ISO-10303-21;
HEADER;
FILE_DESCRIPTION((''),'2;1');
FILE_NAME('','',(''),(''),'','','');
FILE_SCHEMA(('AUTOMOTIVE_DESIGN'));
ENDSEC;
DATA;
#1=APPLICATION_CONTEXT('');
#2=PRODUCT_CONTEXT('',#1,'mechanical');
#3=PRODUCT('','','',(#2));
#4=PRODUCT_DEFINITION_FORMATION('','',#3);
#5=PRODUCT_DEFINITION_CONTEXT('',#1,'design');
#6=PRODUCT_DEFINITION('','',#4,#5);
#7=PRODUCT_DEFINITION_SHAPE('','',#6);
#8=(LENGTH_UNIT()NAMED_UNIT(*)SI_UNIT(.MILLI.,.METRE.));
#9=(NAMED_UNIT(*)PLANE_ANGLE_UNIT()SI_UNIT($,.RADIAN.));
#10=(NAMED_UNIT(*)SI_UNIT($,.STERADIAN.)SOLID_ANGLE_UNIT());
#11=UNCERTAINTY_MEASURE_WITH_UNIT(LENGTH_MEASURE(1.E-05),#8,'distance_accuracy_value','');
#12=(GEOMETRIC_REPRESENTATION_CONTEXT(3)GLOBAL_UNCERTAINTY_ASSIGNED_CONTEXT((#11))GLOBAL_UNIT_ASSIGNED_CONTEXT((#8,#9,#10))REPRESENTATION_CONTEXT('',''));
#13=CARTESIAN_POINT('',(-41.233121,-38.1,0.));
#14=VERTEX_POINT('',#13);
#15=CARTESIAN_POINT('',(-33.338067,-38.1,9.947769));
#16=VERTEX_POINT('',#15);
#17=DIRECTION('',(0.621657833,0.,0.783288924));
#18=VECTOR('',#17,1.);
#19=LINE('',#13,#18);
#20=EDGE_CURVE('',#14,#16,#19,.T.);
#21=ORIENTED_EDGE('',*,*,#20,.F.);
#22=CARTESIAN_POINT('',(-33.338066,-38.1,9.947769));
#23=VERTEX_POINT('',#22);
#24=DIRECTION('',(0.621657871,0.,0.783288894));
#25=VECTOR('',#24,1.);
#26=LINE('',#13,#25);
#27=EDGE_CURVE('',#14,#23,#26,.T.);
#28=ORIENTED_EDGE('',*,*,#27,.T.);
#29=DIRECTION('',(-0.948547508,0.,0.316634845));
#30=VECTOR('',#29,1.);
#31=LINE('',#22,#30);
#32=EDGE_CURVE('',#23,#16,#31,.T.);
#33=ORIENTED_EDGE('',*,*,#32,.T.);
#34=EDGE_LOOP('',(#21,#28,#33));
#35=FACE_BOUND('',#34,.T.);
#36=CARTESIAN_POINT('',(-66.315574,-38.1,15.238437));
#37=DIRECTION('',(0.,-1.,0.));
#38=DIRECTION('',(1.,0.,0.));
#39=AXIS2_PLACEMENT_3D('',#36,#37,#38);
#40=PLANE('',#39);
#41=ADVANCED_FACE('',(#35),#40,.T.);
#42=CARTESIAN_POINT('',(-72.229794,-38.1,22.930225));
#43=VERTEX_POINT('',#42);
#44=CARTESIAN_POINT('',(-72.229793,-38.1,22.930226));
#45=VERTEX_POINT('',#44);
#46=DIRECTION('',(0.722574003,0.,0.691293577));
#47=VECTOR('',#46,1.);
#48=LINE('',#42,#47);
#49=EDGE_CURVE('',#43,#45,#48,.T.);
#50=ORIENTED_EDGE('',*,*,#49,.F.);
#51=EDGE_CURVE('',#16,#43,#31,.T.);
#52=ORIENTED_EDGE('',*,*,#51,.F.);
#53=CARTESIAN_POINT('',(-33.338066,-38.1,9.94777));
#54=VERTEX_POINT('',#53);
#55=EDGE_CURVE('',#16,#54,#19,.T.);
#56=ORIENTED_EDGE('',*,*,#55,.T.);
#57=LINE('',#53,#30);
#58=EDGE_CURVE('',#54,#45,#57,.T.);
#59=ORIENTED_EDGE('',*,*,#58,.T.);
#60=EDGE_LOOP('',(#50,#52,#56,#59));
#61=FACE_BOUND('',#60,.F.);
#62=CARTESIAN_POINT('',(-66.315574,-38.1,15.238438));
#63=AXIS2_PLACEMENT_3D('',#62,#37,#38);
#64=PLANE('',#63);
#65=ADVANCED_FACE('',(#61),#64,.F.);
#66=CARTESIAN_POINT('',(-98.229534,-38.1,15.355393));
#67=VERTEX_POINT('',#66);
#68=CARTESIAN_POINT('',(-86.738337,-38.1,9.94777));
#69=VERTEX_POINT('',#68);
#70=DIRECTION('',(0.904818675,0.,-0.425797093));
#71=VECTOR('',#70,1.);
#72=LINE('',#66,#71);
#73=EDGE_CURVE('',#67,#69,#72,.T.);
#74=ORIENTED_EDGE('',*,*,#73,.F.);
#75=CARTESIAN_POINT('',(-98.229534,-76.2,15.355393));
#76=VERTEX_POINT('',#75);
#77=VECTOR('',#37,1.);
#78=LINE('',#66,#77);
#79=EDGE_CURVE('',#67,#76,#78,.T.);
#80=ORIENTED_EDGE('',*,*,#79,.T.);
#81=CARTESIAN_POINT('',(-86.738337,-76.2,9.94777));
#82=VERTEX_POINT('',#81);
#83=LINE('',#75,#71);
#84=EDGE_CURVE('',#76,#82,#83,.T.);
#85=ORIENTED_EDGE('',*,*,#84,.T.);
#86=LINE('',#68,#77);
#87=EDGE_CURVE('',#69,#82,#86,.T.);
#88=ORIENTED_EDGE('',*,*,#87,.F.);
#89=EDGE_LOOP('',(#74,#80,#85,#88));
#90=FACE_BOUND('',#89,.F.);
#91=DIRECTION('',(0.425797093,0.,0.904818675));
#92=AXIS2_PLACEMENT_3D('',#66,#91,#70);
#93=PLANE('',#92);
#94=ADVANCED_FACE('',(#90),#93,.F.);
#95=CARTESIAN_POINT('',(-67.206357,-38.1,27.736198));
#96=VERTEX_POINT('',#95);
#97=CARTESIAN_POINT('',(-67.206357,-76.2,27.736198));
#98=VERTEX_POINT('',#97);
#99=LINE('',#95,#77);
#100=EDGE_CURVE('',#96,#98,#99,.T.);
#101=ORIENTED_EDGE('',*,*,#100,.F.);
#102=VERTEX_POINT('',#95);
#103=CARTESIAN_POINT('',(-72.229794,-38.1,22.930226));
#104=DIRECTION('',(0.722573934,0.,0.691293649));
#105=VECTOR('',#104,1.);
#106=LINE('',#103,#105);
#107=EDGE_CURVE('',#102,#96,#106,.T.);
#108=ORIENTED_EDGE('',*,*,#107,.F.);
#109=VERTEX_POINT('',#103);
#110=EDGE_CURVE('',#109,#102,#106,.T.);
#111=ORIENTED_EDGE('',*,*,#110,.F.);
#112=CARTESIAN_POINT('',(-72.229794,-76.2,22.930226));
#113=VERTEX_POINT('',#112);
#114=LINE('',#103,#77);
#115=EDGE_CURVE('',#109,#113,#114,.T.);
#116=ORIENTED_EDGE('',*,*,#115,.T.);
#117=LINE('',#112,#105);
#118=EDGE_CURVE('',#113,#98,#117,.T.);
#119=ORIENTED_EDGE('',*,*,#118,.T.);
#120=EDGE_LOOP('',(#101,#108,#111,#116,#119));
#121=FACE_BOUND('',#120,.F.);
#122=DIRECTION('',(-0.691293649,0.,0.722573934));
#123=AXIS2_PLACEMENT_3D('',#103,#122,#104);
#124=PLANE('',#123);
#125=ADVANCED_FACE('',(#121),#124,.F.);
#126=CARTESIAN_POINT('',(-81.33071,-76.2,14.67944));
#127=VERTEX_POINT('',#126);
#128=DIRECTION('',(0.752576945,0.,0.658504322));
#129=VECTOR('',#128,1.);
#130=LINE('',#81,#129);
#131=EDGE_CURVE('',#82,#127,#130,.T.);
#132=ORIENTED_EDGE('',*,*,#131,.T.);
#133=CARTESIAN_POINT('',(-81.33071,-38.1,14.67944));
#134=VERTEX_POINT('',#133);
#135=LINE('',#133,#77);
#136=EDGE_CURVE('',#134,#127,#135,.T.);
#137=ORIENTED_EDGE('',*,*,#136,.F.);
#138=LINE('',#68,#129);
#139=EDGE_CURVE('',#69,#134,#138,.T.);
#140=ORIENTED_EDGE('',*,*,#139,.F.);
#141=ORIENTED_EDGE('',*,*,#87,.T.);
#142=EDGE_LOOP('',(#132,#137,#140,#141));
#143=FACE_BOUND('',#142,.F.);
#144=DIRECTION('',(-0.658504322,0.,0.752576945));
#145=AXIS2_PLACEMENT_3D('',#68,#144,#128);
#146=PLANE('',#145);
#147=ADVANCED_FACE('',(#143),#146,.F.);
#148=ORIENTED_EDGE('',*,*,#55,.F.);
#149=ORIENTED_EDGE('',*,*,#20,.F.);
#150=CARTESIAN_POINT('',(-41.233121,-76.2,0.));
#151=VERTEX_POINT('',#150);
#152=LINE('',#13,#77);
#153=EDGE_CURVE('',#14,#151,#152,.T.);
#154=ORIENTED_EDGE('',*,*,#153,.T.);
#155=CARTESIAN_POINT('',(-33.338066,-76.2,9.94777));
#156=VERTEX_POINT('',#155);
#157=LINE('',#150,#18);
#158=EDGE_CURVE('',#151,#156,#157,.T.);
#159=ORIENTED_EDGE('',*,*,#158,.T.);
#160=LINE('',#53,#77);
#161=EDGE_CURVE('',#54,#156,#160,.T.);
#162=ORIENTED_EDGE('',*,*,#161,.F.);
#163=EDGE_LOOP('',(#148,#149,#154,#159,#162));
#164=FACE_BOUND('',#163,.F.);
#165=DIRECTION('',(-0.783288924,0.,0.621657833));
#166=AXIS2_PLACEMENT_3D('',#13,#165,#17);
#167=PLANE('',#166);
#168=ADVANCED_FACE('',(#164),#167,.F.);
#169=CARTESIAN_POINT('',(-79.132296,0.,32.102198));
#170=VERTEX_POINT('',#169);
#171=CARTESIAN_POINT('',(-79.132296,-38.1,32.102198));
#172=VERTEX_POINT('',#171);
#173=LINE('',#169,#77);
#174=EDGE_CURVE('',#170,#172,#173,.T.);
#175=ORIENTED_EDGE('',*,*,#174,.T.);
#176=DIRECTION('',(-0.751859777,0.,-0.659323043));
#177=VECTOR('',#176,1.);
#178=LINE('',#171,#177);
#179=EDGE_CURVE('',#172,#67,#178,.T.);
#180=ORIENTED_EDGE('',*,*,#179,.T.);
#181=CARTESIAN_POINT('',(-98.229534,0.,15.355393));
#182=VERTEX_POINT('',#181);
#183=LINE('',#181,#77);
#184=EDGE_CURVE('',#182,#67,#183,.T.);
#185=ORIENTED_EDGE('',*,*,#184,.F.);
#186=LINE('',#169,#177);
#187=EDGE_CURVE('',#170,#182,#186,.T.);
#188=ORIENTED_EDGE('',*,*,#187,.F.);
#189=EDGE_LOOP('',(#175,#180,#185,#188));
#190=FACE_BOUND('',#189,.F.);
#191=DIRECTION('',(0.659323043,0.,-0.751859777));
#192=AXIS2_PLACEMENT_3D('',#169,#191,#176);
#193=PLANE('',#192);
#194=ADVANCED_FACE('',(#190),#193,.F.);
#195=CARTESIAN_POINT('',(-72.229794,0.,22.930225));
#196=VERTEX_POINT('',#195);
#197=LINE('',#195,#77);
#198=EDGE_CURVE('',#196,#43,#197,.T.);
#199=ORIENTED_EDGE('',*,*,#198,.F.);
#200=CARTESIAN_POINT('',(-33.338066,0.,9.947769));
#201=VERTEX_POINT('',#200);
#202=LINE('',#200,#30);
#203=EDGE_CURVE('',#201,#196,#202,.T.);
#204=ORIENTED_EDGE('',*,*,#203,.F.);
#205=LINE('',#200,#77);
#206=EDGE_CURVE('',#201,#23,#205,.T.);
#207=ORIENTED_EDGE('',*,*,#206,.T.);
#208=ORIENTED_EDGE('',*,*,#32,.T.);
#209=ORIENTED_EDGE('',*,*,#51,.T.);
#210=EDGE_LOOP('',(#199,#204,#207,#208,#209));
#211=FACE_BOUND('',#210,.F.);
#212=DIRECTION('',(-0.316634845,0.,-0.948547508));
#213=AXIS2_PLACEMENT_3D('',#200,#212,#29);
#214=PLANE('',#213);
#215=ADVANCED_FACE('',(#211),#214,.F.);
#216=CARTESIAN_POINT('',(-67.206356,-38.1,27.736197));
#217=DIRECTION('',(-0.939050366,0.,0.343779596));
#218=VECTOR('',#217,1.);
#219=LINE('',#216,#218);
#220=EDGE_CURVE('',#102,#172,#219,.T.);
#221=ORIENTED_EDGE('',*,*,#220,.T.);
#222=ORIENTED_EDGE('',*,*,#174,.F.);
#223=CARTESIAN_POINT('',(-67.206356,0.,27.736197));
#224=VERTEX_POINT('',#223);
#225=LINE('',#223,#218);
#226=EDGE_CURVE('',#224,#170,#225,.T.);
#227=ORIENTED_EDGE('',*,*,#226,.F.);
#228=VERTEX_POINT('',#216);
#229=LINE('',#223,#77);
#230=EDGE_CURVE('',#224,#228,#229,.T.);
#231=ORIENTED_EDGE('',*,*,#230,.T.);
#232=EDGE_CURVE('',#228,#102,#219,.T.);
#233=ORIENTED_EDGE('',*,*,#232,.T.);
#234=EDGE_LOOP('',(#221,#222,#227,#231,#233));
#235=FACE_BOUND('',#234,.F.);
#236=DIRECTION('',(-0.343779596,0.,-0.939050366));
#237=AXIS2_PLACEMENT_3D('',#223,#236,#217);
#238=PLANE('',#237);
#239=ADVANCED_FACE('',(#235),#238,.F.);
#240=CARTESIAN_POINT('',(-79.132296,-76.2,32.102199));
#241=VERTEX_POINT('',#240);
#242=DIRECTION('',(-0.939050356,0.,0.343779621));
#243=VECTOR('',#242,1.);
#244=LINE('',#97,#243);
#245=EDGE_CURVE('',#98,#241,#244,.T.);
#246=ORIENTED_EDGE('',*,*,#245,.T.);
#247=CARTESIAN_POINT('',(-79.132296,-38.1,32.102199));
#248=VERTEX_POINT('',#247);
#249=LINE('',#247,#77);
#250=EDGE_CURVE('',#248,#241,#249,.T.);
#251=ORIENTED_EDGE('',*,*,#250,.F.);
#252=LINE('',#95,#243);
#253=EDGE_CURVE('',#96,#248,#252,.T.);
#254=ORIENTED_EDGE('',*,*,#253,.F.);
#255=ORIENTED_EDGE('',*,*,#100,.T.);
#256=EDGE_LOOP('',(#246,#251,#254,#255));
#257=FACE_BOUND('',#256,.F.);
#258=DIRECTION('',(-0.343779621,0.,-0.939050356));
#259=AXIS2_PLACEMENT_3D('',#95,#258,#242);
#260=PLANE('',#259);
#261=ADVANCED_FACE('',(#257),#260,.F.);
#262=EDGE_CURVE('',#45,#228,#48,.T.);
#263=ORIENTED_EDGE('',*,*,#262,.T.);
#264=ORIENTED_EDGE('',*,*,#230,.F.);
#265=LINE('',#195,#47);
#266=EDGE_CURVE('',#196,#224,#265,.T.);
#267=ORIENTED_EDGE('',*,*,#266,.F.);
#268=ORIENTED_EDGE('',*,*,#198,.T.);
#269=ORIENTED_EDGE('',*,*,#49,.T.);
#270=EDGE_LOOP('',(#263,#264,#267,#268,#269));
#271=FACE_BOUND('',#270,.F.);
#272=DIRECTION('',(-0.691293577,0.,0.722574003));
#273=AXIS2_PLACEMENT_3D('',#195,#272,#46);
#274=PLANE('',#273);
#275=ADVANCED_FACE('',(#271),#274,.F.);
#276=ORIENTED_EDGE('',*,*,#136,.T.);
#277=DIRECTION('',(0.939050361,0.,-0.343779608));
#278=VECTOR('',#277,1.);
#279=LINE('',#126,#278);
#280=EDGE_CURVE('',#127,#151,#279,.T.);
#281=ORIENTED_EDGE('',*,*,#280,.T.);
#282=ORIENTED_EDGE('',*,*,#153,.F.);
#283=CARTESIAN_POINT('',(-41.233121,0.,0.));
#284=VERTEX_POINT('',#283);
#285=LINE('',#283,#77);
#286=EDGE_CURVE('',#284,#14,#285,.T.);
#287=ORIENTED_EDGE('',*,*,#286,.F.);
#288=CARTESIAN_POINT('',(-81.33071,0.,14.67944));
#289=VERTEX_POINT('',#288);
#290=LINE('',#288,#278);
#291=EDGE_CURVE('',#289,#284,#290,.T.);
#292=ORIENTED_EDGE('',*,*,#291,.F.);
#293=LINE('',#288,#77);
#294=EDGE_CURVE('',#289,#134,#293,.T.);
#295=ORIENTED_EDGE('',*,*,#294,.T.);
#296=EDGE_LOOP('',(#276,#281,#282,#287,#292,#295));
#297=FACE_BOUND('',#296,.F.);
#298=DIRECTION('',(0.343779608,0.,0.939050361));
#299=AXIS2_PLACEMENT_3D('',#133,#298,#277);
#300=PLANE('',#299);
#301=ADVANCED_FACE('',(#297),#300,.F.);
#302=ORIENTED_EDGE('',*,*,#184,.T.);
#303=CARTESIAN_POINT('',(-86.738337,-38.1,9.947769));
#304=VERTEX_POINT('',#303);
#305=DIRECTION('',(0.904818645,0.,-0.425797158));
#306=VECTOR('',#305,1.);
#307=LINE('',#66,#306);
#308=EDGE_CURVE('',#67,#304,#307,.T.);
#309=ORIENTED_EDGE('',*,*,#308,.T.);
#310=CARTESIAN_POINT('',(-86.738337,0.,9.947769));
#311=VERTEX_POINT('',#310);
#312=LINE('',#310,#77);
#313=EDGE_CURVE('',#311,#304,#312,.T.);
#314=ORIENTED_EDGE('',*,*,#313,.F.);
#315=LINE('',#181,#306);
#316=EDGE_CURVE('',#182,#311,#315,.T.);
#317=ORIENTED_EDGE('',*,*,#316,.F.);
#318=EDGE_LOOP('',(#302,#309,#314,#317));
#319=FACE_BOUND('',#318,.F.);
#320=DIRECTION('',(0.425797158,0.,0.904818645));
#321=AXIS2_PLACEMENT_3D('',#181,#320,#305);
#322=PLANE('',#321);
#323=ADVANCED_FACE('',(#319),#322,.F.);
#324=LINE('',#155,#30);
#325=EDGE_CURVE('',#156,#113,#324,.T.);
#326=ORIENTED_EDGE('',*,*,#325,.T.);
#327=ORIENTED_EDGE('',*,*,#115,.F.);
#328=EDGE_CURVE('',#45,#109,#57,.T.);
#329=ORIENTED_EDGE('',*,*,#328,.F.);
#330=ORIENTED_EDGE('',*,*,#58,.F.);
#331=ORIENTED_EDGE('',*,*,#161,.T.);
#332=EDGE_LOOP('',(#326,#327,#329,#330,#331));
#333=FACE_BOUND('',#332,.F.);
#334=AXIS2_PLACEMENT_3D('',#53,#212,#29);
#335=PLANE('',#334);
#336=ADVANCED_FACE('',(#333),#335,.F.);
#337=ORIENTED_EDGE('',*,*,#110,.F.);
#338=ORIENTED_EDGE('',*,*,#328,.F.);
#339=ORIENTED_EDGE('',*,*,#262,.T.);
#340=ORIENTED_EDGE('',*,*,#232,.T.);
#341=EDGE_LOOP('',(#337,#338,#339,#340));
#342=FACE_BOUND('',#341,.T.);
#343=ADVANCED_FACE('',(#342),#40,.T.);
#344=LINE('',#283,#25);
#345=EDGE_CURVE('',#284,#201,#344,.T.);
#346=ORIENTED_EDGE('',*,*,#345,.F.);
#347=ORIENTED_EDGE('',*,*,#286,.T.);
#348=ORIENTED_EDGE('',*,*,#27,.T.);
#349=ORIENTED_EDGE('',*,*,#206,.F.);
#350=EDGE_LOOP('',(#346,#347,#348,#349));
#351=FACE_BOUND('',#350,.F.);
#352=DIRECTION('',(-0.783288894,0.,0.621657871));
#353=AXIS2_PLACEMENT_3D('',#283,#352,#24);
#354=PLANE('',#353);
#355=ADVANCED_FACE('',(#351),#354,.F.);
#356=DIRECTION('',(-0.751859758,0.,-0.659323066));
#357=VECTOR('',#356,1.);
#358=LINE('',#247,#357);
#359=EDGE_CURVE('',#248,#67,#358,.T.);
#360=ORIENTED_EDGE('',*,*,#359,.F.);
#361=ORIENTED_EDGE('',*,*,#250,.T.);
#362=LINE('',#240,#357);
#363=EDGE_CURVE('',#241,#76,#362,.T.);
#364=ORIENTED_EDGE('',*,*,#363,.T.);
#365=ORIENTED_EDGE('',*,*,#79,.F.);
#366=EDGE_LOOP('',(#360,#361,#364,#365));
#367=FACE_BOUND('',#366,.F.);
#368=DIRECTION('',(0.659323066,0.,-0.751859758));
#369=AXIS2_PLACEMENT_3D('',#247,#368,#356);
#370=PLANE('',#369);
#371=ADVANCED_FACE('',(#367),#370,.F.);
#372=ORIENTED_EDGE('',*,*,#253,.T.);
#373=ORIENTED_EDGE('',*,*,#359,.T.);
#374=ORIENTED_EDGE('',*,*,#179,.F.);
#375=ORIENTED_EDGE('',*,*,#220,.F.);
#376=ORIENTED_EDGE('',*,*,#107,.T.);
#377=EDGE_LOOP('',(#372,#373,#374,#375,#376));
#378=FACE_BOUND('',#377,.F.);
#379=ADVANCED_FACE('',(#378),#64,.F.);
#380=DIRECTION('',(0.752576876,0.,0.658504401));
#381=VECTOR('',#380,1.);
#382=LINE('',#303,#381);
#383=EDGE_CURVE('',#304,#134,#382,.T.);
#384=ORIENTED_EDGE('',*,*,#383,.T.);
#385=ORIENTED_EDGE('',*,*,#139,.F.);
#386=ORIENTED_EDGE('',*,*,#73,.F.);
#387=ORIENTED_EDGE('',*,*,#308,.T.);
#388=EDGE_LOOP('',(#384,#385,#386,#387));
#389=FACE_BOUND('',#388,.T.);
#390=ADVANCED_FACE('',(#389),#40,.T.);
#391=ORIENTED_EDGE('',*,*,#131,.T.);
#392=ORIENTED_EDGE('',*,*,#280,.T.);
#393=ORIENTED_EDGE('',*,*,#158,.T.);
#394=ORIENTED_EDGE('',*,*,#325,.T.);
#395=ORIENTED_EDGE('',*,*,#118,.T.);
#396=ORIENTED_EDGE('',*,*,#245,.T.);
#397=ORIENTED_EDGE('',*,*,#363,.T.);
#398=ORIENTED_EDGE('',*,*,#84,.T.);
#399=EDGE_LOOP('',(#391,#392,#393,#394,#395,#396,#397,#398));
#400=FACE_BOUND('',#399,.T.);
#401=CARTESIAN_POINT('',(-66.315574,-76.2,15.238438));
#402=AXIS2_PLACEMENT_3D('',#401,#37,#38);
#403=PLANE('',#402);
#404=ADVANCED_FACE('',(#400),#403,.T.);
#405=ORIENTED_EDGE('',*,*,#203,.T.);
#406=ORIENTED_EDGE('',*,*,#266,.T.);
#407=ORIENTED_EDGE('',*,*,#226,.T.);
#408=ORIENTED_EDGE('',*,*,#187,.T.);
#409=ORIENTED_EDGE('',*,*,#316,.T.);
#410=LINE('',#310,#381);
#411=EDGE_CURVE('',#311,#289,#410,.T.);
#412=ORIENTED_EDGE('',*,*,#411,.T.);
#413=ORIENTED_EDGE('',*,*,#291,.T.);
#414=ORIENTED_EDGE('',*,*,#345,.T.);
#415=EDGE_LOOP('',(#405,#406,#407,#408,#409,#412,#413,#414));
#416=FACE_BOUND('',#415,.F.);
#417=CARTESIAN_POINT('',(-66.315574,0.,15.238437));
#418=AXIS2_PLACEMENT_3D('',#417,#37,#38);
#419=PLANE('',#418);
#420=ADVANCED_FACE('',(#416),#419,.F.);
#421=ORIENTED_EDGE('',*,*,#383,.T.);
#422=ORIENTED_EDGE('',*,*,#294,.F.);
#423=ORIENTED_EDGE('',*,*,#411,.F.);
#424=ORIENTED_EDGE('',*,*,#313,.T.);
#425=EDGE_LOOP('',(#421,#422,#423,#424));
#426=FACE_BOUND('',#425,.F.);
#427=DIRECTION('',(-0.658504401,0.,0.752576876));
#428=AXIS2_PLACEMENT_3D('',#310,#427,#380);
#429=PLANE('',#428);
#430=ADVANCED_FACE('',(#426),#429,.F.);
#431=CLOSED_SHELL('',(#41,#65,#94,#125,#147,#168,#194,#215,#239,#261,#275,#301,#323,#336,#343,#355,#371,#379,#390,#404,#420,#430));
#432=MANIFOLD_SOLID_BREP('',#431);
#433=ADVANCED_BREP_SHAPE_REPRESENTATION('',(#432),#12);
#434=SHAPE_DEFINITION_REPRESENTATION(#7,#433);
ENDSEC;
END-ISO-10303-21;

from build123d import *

# Parameters (mm, degrees)
F1_DEPTH = 38.1
F2_DEPTH = 38.1


with BuildPart() as f1:
    # F0 (on Front) → F1 (new body)
    with BuildSketch(Plane.XZ):
        Polygon((-79.132296, 32.102198), (-98.229534, 15.355393), (-86.738337, 9.947769), (-81.33071, 14.67944), (-41.233121, 0), (-33.338066, 9.947769), (-72.229794, 22.930225), (-67.206356, 27.736197), align=None)
    extrude(amount=F1_DEPTH)

    # F1_face (on face) → F2 (join)
    with BuildSketch(Plane(origin=(-66.778479, -38.1, 15.375638), x_dir=(1, 0, 0), z_dir=(0, -1, 0))):
        Polygon((-5.451315, 7.554588), (-0.427878, 12.36056), (-12.353817, 16.726561), (-31.451055, -0.020245), (-19.959858, -5.427868), (-14.552231, -0.696198), (25.545358, -15.375638), (33.440413, -5.427868), align=None)
    extrude(amount=F2_DEPTH)


solid = f1.part
